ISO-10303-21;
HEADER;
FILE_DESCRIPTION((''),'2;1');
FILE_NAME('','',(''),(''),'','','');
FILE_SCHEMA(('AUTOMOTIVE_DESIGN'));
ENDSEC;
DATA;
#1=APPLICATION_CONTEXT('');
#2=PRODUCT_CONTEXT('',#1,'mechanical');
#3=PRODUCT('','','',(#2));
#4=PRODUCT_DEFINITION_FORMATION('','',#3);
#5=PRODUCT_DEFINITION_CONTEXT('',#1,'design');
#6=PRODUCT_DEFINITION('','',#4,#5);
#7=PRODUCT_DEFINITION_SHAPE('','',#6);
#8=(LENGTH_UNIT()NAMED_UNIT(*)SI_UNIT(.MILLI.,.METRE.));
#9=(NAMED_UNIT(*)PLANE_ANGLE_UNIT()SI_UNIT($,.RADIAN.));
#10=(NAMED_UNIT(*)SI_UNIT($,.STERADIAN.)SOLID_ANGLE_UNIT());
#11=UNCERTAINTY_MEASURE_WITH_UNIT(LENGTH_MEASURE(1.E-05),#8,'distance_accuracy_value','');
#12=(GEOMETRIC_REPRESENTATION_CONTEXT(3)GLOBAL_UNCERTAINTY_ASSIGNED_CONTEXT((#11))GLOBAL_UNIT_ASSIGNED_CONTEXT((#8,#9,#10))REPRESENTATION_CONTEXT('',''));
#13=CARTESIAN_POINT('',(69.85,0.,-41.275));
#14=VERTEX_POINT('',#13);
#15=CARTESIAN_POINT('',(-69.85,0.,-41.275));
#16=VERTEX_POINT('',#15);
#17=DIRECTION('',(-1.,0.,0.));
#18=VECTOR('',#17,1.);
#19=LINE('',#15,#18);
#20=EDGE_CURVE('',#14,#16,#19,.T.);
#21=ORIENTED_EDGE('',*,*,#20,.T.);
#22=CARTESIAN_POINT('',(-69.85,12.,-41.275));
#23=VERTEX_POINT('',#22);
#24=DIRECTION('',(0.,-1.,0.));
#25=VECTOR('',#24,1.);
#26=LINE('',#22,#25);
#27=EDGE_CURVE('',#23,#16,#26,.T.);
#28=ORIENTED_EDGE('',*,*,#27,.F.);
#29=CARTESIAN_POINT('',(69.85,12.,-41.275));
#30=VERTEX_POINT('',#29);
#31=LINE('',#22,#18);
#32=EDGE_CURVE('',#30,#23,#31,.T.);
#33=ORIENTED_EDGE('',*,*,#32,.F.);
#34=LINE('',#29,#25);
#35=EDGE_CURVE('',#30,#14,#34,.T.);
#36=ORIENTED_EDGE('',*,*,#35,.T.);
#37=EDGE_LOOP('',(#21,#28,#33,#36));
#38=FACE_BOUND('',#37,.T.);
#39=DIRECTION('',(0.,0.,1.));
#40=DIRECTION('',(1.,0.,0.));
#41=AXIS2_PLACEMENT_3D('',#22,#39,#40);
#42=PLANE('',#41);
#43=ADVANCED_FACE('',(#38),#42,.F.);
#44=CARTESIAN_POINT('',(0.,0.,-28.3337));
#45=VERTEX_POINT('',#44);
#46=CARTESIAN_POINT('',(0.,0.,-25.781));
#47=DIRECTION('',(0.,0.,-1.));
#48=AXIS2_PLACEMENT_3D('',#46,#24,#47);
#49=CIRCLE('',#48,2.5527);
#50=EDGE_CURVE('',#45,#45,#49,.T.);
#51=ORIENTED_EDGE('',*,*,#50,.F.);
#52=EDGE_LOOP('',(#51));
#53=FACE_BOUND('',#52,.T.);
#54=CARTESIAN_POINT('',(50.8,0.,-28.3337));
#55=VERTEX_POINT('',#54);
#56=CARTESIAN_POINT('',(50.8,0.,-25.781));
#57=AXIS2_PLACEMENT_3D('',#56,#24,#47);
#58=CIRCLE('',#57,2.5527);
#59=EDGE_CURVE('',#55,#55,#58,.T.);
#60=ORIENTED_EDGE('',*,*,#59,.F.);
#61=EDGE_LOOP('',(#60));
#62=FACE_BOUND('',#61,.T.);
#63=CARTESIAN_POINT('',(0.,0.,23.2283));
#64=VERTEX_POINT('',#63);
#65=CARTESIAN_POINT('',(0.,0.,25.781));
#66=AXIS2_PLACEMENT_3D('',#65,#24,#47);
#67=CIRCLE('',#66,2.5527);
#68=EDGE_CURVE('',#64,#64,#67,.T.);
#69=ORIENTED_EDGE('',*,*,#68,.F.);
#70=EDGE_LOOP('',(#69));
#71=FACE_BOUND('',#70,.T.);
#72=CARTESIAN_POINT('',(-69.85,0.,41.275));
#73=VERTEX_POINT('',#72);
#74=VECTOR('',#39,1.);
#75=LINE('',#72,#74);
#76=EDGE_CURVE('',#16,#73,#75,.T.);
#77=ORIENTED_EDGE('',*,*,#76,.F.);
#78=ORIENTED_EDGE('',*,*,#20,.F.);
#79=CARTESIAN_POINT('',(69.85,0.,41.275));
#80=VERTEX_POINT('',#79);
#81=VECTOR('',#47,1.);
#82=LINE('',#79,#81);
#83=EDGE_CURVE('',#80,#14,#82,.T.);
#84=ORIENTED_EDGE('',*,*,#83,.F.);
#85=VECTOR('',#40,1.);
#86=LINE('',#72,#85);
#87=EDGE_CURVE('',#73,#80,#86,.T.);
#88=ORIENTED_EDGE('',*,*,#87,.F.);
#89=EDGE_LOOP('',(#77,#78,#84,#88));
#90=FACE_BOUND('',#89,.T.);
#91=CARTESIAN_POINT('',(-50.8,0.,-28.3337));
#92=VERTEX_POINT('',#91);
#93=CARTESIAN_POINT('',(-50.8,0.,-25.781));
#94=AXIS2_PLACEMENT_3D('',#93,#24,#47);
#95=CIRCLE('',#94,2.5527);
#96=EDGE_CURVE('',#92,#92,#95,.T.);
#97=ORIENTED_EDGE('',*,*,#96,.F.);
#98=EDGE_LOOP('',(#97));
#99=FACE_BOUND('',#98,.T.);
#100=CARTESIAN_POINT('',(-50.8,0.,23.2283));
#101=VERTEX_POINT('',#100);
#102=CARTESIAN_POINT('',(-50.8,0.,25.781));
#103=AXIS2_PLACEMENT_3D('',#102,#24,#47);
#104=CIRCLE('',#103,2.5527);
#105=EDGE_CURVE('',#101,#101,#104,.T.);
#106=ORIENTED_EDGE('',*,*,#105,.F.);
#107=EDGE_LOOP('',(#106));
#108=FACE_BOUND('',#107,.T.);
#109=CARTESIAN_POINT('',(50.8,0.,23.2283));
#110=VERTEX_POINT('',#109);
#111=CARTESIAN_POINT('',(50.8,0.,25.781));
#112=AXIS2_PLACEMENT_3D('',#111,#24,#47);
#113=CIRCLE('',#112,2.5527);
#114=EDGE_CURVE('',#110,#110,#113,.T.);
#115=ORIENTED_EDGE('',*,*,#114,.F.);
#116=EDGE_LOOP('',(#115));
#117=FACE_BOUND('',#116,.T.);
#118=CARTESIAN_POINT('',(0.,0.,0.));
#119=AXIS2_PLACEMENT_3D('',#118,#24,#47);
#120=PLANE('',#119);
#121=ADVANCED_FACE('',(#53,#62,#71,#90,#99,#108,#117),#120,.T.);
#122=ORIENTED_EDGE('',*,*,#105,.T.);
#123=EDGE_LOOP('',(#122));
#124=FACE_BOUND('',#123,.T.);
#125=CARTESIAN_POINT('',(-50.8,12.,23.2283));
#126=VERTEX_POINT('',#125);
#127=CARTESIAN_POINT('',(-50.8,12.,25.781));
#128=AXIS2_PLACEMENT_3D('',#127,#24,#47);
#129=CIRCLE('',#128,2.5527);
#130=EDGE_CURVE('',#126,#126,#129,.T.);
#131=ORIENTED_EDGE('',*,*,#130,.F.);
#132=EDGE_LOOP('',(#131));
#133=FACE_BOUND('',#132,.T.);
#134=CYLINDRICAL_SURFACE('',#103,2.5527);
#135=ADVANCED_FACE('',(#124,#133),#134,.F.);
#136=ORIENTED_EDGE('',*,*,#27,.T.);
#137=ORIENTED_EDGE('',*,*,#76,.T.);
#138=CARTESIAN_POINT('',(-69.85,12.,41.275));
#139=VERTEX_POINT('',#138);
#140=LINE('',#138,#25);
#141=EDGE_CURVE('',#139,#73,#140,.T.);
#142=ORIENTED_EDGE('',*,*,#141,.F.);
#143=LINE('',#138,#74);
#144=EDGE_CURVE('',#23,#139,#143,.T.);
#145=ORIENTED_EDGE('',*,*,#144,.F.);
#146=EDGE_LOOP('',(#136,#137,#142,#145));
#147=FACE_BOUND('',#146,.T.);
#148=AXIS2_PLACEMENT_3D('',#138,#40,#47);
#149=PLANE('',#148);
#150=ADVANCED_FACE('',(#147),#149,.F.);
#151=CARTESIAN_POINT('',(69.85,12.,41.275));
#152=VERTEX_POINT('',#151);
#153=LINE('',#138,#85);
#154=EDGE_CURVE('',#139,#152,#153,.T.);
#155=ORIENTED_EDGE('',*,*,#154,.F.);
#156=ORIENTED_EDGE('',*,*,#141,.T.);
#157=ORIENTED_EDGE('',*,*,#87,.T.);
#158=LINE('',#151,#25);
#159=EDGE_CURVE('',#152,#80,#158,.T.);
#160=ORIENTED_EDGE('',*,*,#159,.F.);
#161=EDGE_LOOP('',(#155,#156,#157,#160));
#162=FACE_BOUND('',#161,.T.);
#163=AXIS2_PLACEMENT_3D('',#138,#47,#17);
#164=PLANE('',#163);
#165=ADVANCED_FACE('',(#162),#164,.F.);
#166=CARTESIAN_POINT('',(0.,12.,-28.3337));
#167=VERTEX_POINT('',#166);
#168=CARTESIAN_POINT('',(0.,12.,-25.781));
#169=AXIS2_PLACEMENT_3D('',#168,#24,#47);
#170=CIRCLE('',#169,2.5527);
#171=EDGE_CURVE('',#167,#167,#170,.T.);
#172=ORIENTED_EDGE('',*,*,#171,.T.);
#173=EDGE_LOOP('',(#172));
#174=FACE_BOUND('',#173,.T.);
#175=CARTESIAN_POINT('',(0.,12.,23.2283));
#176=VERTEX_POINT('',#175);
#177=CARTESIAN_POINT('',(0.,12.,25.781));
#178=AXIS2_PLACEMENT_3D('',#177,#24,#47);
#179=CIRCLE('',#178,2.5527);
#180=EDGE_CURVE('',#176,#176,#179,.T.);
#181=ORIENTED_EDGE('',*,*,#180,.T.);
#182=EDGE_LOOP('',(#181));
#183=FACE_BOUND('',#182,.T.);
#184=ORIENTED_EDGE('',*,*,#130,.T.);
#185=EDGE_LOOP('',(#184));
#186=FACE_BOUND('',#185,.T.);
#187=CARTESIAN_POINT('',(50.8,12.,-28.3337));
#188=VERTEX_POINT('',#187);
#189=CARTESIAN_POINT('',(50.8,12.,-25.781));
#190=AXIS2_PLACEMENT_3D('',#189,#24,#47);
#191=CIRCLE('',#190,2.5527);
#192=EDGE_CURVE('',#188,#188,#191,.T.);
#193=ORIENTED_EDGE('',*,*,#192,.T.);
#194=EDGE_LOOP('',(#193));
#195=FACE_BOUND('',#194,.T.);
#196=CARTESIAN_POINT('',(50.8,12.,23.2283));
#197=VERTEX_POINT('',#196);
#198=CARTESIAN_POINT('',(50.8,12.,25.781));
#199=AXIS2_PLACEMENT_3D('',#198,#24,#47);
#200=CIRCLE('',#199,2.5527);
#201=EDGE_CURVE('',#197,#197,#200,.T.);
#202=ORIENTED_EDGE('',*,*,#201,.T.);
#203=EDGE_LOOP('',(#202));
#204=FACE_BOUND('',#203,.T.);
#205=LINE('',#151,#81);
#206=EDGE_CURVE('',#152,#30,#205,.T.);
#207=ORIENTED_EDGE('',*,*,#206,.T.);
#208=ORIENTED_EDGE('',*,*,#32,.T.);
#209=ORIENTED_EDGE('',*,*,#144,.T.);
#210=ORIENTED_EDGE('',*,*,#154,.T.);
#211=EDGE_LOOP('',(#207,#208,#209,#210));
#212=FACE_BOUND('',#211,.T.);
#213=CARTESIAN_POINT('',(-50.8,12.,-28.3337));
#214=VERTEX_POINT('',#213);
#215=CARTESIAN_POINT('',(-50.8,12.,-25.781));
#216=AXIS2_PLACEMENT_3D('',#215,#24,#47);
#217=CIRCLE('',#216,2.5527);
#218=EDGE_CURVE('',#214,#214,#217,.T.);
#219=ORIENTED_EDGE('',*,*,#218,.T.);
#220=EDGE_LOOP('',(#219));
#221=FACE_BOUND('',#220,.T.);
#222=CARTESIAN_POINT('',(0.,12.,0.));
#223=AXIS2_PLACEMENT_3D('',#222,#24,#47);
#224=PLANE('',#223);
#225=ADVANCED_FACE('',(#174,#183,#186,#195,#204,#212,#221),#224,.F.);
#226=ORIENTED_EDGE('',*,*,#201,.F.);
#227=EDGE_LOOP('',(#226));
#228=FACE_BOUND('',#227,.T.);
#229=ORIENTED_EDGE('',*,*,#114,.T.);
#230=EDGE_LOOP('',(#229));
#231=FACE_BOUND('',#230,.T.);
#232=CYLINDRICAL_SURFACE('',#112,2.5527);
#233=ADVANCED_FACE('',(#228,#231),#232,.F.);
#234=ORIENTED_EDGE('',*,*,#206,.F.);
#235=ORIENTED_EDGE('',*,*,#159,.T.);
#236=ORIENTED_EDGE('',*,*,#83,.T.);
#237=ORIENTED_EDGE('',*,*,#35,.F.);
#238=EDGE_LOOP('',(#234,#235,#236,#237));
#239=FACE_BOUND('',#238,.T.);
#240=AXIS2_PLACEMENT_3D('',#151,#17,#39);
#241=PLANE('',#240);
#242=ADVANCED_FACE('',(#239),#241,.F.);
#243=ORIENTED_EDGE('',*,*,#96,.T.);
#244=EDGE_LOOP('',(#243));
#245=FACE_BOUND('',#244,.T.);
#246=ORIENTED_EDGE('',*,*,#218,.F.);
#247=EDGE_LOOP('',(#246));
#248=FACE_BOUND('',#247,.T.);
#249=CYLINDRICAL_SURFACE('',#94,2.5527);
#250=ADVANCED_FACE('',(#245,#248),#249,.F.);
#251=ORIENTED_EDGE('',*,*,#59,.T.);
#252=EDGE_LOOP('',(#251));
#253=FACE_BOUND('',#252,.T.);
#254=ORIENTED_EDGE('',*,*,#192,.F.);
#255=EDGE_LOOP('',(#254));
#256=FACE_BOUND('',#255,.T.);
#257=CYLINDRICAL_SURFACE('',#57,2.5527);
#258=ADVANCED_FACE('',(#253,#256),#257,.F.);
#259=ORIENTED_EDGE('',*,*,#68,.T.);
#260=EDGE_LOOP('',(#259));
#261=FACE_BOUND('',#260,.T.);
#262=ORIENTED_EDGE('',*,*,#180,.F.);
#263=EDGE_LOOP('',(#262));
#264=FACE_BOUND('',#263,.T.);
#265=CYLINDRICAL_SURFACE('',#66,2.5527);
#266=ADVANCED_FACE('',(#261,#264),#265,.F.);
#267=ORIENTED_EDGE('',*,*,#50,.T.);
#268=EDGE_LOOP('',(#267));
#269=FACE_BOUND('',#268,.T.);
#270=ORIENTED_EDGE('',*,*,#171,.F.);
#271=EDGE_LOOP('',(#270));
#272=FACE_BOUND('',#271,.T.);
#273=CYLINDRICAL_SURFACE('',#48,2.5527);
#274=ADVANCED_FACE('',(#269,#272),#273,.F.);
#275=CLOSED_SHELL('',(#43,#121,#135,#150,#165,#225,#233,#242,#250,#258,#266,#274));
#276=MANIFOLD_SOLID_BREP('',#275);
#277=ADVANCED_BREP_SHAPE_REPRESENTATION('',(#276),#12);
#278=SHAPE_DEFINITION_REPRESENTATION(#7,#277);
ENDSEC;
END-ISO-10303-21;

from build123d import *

# Parameters (mm, degrees)
SKETCH1_W              = 139.7
SKETCH1_H              = 82.55
BOSS_EXTRUDE1_DEPTH    = 12
F_10_CLEARANCE_HOLE1_D = 5.1054


with BuildPart() as part:
    # Sketch1 → Boss-Extrude1 (new body)
    with BuildSketch(Plane(origin=(0, 0, 0), x_dir=(1, 0, 0), z_dir=(0, 1, 0))):
        Rectangle(SKETCH1_W, SKETCH1_H)
    extrude(amount=BOSS_EXTRUDE1_DEPTH)

    # #10 Clearance Hole1 (through all)
    with Locations(Plane(origin=(0, 0, 0), x_dir=(-1, 0, 0), z_dir=(0, -1, 0))):
        with Locations((-50.8, 25.781), (0, 25.781), (50.8, 25.781), (50.8, -25.781), (0, -25.781), (-50.8, -25.781)):
            Hole(F_10_CLEARANCE_HOLE1_D / 2)


solid = part.part
